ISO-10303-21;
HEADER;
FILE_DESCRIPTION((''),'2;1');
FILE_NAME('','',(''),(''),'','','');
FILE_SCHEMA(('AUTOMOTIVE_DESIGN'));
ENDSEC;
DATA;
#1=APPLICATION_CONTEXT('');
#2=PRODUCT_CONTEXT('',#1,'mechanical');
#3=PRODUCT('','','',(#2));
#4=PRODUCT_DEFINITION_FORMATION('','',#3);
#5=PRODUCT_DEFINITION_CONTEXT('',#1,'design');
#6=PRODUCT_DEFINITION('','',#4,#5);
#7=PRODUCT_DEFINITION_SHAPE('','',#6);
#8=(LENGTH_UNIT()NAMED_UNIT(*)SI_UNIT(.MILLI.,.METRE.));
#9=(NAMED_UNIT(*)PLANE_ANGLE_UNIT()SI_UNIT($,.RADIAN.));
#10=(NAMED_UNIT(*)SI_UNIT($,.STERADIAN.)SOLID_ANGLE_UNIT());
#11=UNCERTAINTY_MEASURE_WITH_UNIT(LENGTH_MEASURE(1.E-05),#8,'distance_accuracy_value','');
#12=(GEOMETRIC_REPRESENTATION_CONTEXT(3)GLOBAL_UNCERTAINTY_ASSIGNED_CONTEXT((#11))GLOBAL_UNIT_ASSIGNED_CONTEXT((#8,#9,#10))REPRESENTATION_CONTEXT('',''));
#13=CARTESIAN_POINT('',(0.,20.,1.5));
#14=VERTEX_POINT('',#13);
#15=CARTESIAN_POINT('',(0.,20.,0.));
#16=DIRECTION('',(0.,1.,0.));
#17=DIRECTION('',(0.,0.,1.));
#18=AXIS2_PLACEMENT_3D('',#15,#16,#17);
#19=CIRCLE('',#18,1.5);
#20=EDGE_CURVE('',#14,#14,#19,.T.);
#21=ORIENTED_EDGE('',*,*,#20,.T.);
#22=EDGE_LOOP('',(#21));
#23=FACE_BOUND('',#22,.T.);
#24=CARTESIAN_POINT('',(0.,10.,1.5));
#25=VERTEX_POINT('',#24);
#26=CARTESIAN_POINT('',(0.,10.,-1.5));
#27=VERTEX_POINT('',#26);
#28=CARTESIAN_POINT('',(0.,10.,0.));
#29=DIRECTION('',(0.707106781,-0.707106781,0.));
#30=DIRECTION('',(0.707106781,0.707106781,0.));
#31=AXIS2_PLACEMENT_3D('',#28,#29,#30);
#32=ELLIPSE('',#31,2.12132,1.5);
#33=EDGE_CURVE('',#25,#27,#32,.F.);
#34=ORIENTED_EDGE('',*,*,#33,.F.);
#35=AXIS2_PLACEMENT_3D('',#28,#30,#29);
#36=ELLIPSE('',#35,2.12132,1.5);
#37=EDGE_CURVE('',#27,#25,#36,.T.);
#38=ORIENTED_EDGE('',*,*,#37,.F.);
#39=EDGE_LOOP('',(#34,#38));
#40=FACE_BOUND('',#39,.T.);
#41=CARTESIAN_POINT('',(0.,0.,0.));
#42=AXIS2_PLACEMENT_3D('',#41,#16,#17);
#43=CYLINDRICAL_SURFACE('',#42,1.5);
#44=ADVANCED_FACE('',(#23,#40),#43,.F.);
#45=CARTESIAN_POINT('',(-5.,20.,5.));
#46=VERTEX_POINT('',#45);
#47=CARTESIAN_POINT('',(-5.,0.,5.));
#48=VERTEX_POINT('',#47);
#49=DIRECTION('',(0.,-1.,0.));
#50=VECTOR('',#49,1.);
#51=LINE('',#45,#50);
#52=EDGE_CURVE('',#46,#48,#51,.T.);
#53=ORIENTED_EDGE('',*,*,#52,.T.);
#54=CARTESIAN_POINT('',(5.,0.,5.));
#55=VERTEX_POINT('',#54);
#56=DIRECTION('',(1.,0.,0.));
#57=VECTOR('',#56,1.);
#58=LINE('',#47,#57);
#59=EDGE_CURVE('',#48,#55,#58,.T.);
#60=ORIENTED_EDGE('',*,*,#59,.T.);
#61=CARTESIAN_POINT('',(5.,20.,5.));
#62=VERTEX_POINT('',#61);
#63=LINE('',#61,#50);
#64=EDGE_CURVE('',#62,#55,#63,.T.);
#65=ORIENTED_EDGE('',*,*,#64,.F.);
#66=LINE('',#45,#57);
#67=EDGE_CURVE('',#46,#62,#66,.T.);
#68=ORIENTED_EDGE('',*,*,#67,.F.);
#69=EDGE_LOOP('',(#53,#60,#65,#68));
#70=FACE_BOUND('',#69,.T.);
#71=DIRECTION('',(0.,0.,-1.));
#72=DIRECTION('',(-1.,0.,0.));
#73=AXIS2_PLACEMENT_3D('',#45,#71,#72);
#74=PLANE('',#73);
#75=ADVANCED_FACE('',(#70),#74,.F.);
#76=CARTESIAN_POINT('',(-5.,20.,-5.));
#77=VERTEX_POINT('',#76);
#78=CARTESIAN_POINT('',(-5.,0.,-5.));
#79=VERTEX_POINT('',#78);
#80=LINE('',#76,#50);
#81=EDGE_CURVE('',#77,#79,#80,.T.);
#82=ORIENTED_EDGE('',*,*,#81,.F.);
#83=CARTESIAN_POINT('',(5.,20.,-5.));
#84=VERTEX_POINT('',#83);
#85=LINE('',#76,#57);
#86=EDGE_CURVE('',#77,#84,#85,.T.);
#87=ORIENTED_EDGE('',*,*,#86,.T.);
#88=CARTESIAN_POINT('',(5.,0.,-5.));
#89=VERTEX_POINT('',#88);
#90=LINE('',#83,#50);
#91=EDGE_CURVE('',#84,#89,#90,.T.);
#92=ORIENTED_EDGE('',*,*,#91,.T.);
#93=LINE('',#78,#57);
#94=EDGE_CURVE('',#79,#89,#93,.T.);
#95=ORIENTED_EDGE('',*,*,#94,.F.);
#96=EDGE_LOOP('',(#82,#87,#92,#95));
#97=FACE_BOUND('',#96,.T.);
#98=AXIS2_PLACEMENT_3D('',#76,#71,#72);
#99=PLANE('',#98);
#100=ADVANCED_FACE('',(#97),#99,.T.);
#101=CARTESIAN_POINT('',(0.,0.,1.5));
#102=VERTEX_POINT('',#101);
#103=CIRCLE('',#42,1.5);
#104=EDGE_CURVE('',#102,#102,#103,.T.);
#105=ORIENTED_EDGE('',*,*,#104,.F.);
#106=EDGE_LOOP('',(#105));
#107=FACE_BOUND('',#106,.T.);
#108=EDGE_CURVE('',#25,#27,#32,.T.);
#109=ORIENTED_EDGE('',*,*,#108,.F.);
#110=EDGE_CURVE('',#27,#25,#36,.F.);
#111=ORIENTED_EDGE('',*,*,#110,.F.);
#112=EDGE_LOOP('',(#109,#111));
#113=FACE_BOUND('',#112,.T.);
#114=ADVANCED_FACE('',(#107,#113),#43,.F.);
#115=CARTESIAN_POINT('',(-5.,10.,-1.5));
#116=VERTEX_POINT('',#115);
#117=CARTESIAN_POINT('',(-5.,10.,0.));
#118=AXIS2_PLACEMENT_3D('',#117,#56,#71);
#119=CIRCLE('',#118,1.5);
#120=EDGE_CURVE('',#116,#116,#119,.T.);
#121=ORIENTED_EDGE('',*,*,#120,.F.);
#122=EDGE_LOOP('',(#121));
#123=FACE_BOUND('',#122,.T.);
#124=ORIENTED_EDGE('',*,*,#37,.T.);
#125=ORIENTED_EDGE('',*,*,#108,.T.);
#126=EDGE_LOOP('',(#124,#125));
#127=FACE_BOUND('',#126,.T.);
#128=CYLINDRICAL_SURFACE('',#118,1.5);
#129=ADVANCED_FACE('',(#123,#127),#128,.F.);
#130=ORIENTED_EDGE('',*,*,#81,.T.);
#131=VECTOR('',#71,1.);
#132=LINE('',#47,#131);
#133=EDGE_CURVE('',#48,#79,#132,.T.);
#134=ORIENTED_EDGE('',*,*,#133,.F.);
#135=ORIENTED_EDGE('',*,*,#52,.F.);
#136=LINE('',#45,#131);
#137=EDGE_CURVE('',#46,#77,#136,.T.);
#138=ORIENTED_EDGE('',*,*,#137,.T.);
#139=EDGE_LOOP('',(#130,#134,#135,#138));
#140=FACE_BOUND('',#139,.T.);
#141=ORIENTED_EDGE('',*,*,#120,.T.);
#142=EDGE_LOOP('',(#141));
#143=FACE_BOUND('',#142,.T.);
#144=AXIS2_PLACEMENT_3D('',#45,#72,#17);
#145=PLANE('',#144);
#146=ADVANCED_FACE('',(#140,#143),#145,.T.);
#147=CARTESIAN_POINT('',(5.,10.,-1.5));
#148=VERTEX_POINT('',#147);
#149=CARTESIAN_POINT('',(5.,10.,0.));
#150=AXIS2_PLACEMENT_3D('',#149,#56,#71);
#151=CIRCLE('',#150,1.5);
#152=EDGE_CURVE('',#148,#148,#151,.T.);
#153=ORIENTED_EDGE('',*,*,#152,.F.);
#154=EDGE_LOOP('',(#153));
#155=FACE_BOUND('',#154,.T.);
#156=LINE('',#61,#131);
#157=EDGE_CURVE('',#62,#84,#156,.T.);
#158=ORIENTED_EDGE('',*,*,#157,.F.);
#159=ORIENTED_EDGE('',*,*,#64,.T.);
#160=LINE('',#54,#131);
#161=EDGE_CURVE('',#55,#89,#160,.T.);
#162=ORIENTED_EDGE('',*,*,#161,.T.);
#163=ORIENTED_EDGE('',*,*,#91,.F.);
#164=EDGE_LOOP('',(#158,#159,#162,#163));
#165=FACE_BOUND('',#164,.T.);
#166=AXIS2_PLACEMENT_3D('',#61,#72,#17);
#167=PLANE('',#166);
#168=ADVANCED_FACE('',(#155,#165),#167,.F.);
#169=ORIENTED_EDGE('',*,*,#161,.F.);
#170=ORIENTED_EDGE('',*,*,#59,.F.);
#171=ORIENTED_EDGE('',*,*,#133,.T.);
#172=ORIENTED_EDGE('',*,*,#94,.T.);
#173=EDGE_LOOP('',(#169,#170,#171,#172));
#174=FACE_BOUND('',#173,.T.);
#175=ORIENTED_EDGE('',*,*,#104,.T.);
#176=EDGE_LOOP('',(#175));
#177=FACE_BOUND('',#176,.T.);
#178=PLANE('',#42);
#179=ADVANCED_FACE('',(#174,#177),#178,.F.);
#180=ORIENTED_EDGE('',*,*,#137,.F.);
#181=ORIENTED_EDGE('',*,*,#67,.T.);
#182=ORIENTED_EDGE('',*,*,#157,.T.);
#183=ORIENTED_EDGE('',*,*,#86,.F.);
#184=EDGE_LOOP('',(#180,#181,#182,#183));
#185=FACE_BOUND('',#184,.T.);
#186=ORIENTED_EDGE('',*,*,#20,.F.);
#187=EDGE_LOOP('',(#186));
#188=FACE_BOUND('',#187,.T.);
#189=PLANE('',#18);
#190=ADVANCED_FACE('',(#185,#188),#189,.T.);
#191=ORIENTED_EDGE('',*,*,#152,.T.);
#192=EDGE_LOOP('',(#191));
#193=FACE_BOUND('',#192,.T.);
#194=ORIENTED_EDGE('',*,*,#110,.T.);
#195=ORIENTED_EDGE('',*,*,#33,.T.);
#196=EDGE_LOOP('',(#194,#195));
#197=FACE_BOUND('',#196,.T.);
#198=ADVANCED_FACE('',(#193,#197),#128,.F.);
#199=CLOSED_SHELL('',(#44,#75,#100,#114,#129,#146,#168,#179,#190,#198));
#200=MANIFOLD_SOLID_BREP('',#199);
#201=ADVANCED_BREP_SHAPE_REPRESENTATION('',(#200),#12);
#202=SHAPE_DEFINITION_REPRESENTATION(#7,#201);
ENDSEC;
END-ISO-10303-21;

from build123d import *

# Parameters (mm, degrees)
SKETCH1_W           = 10
SKETCH1_H           = 10
BOSS_EXTRUDE1_DEPTH = 20
SKETCH4_R           = 1.5
CUT_EXTRUDE2_DEPTH  = 11
SKETCH5_R           = 1.5
CUT_EXTRUDE3_DEPTH  = 21


with BuildPart() as part:
    # Sketch1 → Boss-Extrude1 (new body)
    with BuildSketch(Plane(origin=(0, 0, 0), x_dir=(1, 0, 0), z_dir=(0, 1, 0))):
        Rectangle(SKETCH1_W, SKETCH1_H)
    extrude(amount=BOSS_EXTRUDE1_DEPTH)

    # Sketch4 → Cut-Extrude2 (cut, through all)
    with BuildSketch(Plane(origin=(5, 0, 0), x_dir=(0, 0, -1), z_dir=(1, 0, 0))):
        with Locations((0, 10)):
            Circle(SKETCH4_R)
    extrude(amount=-CUT_EXTRUDE2_DEPTH, mode=Mode.SUBTRACT)

    # Sketch5 → Cut-Extrude3 (cut, through all)
    with BuildSketch(Plane(origin=(0, 20, 0), x_dir=(1, 0, 0), z_dir=(0, 1, 0))):
        Circle(SKETCH5_R)
    extrude(amount=-CUT_EXTRUDE3_DEPTH, mode=Mode.SUBTRACT)


solid = part.part
